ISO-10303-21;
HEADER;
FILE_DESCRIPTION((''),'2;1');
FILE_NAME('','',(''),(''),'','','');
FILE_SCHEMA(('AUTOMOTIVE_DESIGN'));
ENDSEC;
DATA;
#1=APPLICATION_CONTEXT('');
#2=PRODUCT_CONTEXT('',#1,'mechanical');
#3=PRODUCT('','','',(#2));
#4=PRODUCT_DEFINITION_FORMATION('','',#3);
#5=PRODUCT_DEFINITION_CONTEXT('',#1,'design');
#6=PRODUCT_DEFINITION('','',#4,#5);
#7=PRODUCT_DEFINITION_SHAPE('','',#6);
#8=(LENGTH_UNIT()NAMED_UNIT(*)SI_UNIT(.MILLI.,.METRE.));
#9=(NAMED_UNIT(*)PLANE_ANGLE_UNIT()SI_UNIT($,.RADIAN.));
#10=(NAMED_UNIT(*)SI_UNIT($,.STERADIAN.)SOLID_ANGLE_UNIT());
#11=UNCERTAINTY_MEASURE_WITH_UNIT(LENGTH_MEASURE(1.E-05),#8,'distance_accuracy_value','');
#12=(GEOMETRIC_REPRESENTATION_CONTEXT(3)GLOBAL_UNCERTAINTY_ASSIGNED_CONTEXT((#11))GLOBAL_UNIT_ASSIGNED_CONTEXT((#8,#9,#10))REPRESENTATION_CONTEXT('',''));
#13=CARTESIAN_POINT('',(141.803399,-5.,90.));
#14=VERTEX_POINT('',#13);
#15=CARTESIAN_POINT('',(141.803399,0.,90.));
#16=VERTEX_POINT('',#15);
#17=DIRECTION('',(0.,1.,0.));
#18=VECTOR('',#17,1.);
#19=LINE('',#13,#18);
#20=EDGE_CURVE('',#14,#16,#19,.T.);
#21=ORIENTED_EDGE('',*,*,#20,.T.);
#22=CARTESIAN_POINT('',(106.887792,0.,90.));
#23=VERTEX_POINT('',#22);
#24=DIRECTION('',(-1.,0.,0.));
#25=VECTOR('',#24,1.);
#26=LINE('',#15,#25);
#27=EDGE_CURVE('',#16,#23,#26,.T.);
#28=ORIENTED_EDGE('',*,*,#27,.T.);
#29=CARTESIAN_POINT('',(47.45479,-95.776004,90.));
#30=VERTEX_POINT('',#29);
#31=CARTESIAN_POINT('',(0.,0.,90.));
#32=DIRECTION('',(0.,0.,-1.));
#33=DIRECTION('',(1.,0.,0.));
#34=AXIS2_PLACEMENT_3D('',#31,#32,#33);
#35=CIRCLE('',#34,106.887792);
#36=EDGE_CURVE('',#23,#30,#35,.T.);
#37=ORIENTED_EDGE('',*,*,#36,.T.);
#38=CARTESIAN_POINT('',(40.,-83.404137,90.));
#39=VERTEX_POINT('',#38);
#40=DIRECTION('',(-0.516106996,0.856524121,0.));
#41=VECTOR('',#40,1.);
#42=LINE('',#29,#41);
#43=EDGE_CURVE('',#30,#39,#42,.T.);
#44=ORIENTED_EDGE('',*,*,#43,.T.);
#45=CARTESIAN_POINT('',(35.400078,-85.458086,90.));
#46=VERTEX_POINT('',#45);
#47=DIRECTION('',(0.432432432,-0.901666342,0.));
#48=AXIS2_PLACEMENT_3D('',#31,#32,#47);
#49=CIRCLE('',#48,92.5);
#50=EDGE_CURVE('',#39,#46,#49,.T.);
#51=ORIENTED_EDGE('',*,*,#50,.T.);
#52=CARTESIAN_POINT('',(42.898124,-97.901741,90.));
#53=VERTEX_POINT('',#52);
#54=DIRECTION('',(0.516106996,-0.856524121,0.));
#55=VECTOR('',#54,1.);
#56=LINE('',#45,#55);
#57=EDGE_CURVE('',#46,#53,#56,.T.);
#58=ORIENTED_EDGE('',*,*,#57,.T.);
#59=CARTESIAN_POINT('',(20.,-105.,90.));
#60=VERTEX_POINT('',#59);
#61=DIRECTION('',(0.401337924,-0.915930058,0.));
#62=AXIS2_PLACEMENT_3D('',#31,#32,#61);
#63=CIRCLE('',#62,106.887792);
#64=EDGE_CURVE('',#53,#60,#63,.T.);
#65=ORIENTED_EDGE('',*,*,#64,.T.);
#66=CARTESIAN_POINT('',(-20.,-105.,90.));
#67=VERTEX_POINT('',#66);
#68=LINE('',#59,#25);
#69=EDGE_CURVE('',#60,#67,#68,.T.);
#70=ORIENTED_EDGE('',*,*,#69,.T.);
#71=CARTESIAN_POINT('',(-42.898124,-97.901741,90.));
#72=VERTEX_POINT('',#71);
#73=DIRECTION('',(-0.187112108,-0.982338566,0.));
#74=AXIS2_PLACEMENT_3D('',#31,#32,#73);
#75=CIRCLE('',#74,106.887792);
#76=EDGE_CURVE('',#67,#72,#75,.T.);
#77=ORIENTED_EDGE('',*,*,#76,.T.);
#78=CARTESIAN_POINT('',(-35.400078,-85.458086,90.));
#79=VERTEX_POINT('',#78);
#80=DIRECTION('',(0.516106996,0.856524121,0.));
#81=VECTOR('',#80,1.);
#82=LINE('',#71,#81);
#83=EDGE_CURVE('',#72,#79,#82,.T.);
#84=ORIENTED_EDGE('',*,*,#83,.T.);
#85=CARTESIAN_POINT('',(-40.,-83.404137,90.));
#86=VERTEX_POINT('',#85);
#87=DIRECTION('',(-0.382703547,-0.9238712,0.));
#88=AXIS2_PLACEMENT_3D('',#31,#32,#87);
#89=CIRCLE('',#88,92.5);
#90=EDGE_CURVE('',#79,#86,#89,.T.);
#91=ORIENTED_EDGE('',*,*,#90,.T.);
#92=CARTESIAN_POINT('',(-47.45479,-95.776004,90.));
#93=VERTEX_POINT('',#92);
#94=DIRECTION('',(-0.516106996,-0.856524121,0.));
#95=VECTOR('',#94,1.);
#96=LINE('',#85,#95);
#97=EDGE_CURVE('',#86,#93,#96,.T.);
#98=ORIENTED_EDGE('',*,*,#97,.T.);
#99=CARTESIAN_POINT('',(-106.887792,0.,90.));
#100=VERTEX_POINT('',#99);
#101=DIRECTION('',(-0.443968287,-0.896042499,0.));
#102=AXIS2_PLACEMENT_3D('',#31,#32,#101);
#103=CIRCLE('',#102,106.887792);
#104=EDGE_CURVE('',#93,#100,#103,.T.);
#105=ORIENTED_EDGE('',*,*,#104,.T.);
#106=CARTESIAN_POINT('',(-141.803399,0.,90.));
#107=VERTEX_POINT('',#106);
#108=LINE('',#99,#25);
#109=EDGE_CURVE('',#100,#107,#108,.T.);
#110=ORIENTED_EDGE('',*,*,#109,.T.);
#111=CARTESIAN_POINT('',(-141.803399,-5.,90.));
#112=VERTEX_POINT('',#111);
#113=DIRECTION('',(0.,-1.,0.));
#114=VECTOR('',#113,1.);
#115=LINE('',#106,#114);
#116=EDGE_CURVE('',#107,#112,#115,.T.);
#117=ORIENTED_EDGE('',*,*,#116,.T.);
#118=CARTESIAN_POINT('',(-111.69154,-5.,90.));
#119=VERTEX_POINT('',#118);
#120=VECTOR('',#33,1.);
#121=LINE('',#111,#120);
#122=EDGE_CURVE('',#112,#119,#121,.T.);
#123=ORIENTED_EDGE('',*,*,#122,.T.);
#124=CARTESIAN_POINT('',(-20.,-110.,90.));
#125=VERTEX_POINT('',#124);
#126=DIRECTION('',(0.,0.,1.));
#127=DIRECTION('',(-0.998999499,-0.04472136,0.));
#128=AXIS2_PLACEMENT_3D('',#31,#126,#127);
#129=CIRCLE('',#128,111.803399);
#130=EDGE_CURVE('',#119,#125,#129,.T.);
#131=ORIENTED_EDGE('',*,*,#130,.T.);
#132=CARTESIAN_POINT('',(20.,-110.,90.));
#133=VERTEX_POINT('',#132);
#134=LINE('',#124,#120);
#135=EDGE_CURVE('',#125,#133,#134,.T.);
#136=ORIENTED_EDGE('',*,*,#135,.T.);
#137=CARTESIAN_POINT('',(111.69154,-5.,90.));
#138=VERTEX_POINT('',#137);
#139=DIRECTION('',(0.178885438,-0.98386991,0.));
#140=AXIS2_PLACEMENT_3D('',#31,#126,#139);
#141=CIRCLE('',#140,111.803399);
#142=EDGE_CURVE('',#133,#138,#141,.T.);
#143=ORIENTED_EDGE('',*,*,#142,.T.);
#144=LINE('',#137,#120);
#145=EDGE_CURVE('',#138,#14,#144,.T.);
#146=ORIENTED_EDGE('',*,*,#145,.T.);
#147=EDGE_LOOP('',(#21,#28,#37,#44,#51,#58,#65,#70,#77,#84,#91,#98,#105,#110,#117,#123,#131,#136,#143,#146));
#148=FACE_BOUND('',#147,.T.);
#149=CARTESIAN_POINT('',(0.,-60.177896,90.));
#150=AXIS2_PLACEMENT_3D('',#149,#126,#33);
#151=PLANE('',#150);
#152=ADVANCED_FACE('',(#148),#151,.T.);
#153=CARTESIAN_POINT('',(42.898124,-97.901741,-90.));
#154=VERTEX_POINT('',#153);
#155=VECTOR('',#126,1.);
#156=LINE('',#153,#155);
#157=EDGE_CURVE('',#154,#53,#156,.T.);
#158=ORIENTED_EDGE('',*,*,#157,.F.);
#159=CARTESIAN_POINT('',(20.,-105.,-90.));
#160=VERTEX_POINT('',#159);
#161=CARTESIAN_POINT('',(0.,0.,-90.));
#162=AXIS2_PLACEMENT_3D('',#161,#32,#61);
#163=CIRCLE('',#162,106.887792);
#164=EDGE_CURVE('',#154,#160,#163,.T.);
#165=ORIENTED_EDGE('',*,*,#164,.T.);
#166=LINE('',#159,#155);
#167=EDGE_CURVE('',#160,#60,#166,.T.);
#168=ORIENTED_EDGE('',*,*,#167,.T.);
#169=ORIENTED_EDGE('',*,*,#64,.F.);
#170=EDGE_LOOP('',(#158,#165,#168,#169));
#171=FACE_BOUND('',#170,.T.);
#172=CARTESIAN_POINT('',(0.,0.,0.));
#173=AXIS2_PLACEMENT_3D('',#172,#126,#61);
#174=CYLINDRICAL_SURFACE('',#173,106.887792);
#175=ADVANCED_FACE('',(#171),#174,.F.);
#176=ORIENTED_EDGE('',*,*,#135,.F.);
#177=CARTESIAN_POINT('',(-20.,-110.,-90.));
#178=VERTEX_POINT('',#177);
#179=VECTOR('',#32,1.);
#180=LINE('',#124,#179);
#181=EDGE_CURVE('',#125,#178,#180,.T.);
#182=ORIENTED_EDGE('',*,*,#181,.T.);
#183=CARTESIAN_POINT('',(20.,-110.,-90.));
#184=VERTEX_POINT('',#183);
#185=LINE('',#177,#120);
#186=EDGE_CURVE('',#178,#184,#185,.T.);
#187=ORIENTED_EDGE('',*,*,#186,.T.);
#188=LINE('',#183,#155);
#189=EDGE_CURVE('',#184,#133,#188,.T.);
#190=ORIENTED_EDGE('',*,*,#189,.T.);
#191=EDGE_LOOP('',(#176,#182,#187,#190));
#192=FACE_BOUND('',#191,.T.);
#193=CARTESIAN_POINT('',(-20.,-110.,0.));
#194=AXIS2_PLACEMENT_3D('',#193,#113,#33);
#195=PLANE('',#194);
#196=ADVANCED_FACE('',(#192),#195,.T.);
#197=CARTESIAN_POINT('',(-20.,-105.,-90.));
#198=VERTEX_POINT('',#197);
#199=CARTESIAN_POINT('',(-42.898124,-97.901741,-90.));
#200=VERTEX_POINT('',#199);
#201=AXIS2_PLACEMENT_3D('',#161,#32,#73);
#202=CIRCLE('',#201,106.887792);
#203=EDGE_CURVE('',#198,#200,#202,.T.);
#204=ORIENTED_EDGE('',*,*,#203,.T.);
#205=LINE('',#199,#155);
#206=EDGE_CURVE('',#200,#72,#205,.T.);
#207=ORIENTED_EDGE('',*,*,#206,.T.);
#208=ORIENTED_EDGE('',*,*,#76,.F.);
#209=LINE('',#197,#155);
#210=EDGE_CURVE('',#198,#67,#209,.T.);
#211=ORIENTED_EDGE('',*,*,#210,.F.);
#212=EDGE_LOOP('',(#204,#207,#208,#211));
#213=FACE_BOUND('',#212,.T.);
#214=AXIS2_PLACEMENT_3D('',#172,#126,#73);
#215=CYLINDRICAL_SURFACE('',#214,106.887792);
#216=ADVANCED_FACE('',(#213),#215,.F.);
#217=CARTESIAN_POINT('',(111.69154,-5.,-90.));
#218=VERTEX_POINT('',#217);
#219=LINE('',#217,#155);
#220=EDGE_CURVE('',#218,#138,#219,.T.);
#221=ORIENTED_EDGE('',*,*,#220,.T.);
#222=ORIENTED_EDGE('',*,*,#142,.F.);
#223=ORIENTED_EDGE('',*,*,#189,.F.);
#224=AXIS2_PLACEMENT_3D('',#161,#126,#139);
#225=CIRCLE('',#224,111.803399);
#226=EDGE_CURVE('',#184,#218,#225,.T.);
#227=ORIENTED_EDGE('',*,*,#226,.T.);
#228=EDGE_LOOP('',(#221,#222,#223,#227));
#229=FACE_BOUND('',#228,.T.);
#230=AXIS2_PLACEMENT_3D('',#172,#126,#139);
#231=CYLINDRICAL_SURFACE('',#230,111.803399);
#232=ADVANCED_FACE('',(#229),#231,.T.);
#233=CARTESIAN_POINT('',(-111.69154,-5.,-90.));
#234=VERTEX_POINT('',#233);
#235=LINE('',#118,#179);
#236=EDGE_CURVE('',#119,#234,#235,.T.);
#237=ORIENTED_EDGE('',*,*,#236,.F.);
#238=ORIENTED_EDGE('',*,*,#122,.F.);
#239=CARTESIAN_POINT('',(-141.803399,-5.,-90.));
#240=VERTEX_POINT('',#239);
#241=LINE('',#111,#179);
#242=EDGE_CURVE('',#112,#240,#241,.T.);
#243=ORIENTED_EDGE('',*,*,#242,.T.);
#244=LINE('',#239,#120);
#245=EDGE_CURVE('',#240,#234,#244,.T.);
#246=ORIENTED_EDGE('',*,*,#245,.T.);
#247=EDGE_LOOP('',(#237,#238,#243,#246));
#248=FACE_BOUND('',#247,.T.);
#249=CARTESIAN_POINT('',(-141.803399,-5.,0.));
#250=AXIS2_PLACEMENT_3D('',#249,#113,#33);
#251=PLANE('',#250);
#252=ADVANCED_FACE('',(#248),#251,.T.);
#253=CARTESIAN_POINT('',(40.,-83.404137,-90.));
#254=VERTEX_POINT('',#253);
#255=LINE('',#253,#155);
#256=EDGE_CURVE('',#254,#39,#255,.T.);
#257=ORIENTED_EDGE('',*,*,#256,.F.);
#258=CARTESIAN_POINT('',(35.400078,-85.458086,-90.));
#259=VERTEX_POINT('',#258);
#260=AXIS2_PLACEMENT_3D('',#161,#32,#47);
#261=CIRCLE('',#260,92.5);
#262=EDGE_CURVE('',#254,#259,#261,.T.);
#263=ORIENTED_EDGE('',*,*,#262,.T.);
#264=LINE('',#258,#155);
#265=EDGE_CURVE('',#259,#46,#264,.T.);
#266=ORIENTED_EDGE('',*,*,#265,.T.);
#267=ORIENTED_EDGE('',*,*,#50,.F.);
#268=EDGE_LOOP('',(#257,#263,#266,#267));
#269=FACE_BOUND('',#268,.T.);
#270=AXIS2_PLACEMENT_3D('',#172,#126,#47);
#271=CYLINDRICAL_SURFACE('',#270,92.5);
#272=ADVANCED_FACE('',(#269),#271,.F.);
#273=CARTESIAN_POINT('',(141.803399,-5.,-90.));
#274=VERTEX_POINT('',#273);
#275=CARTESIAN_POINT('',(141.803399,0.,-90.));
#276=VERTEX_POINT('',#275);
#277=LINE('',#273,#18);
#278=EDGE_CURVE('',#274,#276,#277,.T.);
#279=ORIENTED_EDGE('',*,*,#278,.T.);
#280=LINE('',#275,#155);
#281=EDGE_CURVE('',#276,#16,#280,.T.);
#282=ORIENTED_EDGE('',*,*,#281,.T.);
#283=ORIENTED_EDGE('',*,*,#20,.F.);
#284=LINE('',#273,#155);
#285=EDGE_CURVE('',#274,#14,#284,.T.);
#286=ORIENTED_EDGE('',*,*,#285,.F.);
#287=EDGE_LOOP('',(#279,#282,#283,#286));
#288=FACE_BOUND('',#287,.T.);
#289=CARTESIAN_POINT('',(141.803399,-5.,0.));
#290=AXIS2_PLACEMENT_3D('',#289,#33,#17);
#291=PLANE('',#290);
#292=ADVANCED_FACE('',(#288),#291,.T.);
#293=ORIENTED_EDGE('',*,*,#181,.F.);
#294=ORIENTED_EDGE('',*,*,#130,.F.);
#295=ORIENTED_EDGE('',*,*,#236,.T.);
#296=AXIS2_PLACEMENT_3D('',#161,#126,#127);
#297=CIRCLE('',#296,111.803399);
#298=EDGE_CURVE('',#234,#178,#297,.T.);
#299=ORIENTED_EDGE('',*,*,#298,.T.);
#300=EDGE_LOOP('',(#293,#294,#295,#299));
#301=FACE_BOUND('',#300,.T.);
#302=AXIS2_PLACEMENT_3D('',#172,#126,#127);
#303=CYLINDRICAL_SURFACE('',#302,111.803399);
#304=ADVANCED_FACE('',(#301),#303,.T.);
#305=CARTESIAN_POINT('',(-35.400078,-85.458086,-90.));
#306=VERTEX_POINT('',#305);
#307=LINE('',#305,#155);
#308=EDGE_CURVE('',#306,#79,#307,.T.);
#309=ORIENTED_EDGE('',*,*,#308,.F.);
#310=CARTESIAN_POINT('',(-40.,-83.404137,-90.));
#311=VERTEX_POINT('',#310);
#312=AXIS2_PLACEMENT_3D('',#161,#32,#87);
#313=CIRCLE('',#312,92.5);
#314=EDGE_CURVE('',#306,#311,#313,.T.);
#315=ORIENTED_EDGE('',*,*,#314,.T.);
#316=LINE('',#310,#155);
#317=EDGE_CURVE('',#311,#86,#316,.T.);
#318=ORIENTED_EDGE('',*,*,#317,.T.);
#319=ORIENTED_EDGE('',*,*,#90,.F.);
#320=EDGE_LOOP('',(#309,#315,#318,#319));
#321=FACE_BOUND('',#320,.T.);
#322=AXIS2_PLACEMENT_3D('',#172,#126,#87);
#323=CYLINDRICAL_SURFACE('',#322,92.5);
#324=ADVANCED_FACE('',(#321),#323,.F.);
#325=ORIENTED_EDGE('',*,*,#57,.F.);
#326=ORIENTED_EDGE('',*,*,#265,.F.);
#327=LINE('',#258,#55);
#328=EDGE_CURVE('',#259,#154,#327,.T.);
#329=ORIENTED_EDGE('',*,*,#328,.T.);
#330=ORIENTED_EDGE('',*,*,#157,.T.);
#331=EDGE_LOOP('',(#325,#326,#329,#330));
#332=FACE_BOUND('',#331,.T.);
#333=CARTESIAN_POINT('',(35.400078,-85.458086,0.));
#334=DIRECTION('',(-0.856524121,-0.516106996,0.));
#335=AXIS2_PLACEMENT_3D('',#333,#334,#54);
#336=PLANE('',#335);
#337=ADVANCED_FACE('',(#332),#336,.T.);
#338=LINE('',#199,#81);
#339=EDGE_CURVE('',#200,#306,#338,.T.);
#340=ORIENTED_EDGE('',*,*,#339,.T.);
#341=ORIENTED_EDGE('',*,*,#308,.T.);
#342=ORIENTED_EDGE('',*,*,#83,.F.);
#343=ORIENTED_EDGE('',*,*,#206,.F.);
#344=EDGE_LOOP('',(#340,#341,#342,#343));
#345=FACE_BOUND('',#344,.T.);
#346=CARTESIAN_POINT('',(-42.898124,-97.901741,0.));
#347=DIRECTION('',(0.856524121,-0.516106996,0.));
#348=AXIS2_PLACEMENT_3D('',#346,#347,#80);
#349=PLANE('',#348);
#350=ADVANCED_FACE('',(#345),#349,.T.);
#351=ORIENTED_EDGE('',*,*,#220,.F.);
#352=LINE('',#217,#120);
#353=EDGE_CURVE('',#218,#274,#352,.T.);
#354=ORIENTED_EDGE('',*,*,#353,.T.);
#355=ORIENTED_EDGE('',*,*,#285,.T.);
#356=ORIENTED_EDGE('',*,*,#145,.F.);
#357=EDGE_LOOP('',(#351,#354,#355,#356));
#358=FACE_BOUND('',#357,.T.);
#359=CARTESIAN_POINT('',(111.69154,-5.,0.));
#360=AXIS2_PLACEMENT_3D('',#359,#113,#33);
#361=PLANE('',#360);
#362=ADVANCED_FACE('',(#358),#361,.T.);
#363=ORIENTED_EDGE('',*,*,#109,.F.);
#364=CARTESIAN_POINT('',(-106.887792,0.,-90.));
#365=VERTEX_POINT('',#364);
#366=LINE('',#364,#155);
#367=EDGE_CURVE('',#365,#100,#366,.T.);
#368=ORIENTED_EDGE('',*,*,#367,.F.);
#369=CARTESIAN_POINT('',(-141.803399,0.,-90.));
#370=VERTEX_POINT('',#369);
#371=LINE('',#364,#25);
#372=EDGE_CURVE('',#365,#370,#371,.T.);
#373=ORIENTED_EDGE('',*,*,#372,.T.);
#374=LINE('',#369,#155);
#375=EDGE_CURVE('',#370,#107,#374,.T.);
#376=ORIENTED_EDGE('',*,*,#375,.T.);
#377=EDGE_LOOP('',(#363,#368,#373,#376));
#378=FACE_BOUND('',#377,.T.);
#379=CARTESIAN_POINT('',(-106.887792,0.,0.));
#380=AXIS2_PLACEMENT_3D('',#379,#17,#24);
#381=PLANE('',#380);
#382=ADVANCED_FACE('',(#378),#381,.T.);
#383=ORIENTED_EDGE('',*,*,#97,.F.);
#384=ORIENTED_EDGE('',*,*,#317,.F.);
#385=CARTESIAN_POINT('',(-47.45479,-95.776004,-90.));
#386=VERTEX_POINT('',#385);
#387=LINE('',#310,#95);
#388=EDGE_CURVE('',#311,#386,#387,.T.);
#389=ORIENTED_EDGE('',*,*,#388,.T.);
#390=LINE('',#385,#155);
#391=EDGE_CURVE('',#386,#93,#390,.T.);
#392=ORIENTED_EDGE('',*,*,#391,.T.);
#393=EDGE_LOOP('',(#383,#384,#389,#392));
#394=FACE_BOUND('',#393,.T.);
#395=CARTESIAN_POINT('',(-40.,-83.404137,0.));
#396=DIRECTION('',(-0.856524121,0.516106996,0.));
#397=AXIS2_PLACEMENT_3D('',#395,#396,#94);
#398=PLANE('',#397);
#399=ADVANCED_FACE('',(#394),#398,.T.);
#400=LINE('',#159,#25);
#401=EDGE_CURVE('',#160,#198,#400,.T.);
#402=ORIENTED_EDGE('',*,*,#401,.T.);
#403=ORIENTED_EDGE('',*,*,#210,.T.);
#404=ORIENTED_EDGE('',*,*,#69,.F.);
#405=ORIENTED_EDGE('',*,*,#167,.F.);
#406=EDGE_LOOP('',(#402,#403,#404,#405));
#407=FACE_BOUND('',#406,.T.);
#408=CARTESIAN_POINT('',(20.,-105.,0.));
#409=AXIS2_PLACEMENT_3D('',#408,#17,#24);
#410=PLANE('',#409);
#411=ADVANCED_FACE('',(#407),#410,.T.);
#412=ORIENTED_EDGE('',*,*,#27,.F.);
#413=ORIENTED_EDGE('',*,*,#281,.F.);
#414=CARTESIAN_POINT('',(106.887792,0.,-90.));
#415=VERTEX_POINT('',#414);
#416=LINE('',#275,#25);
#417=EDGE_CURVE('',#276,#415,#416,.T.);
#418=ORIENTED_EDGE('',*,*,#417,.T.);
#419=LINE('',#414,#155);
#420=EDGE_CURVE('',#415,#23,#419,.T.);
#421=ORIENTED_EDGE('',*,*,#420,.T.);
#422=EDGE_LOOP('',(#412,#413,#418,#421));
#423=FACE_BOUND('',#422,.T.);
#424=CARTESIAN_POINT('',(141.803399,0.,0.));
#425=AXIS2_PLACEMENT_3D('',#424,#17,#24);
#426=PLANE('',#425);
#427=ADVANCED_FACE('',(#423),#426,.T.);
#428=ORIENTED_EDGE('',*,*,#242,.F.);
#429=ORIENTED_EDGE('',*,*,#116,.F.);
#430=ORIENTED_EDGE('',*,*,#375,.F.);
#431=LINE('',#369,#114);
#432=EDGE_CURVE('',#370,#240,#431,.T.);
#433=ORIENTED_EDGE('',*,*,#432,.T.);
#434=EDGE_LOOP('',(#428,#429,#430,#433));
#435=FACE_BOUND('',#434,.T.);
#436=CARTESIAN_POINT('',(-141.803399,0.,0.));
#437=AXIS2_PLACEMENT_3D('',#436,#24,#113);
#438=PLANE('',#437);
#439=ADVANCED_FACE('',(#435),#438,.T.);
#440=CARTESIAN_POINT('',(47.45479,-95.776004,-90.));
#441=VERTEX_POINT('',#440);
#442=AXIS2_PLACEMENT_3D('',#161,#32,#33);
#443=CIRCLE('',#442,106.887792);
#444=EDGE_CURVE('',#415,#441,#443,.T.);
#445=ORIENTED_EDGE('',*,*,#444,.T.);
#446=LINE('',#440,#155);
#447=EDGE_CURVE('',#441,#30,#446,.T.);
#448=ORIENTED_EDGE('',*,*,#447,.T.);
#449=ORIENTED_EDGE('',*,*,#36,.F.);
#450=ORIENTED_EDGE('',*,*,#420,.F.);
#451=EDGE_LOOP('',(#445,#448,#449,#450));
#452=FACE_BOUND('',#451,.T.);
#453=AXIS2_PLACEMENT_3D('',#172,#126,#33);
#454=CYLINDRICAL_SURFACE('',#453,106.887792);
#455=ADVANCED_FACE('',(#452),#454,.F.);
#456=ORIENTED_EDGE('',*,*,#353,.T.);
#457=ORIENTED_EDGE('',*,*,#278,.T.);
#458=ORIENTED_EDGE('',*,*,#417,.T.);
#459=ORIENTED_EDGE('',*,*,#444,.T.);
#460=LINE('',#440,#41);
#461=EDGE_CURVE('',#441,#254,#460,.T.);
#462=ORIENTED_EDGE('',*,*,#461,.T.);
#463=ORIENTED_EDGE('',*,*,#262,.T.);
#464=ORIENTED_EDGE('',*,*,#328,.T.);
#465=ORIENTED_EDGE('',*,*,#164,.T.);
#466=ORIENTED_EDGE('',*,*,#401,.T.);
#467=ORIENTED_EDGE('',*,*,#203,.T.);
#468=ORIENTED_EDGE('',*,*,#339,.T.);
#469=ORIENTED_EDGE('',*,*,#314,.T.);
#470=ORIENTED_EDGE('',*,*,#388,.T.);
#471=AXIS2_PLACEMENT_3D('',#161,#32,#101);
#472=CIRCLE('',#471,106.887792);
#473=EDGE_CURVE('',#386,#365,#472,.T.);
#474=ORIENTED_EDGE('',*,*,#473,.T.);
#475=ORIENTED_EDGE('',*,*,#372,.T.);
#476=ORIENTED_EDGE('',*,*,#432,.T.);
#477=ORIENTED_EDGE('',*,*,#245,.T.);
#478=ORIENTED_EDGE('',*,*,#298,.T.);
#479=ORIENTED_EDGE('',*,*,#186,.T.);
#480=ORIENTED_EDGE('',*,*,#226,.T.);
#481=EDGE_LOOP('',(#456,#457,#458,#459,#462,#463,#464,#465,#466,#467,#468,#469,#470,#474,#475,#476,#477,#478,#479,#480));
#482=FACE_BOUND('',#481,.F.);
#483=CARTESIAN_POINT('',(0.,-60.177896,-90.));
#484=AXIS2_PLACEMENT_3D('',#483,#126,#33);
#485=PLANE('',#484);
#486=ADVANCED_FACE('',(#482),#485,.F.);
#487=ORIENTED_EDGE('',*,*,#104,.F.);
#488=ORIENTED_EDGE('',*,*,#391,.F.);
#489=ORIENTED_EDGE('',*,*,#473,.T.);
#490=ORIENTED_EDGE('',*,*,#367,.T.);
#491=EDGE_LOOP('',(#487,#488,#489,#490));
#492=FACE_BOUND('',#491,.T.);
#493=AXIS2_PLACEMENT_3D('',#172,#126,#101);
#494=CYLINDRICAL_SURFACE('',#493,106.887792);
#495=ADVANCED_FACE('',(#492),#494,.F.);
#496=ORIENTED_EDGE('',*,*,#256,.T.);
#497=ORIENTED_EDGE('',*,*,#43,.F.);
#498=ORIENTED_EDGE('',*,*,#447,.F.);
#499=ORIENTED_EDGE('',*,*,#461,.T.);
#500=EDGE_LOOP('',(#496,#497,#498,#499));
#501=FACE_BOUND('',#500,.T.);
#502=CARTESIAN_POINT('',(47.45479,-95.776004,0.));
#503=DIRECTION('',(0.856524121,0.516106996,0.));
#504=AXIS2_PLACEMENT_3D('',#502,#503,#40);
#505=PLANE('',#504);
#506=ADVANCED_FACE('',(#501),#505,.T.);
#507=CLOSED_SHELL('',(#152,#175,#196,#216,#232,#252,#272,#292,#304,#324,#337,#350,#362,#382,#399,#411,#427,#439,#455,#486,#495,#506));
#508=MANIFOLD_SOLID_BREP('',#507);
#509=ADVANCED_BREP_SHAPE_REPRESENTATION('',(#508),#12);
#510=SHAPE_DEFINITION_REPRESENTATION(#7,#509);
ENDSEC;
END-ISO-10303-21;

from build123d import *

# Parameters (mm, degrees)
F1_DEPTH = 90


with BuildPart() as f1:
    # F0 (on Top) → F1 (new body, symmetric)
    with BuildSketch(Plane.XY):
        with BuildLine():
            Line((-20, -110), (20, -110))
            ThreePointArc((20, -110), (84.2135107639, -73.5396804781), (111.6915395184, -5))
            Line((111.6915395184, -5), (141.803398875, -5))
            Line((141.803398875, -5), (141.803398875, 0))
            Line((141.803398875, 0), (111.803398875, 0))
            Line((111.803398875, 0), (106.8877916322, 0))
            ThreePointArc((106.8877916322, 0), (90.8221825431, -56.3589492282), (47.4547897971, -95.7760039118))
            Line((47.4547897971, -95.7760039118), (40, -83.4041365881))
            ThreePointArc((40, -83.4041365881), (37.714024203, -84.4624317576), (35.4000781032, -85.4580860439))
            Line((35.4000781032, -85.4580860439), (42.8981243525, -97.9017411849))
            ThreePointArc((42.8981243525, -97.9017411849), (31.6486939907, -102.094858679), (20, -105))
            Line((20, -105), (-20, -105))
            ThreePointArc((-20, -105), (-31.6486939907, -102.094858679), (-42.8981243525, -97.9017411849))
            Line((-42.8981243525, -97.9017411849), (-35.4000781032, -85.4580860439))
            ThreePointArc((-35.4000781032, -85.4580860439), (-37.714024203, -84.4624317576), (-40, -83.4041365881))
            Line((-40, -83.4041365881), (-47.4547897971, -95.7760039118))
            ThreePointArc((-47.4547897971, -95.7760039118), (-90.8221825431, -56.3589492282), (-106.8877916322, 0))
            Line((-106.8877916322, 0), (-111.803398875, 0))
            Line((-111.803398875, 0), (-141.803398875, 0))
            Line((-141.803398875, 0), (-141.803398875, -5))
            Line((-141.803398875, -5), (-111.6915395184, -5))
            ThreePointArc((-111.6915395184, -5), (-84.2135107639, -73.5396804781), (-20, -110))
        make_face()
    extrude(amount=F1_DEPTH, both=True)


solid = f1.part
